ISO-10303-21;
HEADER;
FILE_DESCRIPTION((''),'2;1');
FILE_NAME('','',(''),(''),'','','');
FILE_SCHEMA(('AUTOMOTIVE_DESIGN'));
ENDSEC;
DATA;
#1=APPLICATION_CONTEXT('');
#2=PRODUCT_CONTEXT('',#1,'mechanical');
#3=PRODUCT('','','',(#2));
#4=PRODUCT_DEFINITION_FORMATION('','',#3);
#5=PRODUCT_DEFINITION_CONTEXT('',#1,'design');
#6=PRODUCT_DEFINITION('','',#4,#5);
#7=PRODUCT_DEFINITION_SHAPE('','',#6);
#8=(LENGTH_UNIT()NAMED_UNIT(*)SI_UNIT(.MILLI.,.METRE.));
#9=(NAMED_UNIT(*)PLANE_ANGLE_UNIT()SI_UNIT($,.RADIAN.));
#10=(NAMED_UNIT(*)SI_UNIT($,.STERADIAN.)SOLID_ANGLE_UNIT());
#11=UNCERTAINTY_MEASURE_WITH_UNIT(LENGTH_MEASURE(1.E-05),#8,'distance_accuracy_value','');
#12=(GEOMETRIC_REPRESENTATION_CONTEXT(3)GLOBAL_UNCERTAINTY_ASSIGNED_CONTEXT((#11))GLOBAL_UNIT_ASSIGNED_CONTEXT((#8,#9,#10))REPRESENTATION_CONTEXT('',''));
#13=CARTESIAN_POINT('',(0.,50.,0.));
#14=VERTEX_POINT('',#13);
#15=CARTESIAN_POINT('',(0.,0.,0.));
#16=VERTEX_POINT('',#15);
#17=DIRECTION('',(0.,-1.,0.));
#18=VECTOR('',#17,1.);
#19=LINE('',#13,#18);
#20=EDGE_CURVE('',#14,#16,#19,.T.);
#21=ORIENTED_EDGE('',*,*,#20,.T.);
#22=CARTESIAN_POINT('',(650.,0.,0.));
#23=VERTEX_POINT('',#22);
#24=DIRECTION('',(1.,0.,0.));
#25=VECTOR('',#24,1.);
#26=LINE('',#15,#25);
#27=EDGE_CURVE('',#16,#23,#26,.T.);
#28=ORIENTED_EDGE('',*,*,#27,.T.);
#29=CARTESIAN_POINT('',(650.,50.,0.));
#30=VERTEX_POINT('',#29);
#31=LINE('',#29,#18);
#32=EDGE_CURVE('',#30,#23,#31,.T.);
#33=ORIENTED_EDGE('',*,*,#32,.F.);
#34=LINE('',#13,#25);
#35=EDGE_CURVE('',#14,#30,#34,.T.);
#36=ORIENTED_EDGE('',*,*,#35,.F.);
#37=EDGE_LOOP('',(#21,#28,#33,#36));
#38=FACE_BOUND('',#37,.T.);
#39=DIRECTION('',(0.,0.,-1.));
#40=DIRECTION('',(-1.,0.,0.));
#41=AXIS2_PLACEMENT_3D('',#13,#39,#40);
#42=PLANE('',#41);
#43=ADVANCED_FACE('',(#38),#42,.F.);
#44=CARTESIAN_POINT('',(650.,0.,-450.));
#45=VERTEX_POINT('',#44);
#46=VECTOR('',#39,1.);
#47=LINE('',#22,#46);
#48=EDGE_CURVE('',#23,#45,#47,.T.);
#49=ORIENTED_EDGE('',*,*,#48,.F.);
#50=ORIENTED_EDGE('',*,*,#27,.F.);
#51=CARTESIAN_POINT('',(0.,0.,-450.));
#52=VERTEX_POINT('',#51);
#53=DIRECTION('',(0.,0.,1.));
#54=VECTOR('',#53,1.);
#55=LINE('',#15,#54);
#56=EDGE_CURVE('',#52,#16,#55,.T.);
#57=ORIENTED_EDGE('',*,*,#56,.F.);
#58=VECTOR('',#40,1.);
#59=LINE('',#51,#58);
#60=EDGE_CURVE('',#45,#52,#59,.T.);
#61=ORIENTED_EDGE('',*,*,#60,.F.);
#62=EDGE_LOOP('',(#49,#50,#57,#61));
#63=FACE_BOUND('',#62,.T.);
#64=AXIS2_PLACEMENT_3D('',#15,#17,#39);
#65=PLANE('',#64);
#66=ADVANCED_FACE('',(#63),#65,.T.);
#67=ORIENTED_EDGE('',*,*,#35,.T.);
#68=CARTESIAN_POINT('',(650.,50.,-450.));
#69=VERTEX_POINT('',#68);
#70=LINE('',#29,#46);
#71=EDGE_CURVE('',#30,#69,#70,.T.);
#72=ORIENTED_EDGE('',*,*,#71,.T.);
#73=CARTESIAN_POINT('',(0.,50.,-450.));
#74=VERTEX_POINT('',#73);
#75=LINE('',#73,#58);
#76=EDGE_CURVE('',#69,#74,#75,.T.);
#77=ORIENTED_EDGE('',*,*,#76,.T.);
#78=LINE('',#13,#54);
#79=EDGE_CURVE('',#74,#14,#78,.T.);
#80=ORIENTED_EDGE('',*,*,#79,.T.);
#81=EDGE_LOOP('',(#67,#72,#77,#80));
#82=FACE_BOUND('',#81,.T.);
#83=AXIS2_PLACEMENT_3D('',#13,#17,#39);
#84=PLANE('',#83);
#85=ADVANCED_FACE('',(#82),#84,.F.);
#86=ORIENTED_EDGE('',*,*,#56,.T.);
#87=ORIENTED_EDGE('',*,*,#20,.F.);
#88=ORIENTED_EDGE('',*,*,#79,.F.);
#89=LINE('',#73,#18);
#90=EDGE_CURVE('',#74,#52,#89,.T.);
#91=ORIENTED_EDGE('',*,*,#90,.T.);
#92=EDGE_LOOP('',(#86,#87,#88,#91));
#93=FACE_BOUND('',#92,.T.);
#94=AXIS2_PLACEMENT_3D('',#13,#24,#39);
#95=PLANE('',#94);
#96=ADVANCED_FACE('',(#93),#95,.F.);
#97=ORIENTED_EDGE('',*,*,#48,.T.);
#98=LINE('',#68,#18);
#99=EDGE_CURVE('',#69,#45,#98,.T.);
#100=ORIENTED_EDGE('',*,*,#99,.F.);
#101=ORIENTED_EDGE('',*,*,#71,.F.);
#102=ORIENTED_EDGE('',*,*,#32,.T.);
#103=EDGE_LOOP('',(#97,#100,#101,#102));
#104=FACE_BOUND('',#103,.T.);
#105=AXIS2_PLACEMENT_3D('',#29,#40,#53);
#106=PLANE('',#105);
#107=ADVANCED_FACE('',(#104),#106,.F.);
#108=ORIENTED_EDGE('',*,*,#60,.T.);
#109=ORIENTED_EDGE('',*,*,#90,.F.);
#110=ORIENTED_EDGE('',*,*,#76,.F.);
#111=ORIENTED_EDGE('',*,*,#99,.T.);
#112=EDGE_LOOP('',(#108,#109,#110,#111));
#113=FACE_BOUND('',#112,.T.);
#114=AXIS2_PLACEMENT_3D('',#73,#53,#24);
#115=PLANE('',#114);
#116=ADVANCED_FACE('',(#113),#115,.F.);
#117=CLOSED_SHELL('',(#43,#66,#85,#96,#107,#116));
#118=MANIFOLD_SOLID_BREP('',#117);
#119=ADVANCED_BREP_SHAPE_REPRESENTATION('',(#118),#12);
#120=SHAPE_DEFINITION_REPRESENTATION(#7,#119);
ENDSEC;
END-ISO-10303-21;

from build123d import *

# Parameters (mm, degrees)
SKETCH1_W     = 650
SKETCH1_H     = 450
BATTERY_DEPTH = 50


with BuildPart() as part:
    # Sketch1 → BATTERY (new body)
    with BuildSketch(Plane(origin=(0, 0, 0), x_dir=(1, 0, 0), z_dir=(0, 1, 0))):
        with Locations((325, 225)):
            Rectangle(SKETCH1_W, SKETCH1_H)
    extrude(amount=BATTERY_DEPTH)


solid = part.part
